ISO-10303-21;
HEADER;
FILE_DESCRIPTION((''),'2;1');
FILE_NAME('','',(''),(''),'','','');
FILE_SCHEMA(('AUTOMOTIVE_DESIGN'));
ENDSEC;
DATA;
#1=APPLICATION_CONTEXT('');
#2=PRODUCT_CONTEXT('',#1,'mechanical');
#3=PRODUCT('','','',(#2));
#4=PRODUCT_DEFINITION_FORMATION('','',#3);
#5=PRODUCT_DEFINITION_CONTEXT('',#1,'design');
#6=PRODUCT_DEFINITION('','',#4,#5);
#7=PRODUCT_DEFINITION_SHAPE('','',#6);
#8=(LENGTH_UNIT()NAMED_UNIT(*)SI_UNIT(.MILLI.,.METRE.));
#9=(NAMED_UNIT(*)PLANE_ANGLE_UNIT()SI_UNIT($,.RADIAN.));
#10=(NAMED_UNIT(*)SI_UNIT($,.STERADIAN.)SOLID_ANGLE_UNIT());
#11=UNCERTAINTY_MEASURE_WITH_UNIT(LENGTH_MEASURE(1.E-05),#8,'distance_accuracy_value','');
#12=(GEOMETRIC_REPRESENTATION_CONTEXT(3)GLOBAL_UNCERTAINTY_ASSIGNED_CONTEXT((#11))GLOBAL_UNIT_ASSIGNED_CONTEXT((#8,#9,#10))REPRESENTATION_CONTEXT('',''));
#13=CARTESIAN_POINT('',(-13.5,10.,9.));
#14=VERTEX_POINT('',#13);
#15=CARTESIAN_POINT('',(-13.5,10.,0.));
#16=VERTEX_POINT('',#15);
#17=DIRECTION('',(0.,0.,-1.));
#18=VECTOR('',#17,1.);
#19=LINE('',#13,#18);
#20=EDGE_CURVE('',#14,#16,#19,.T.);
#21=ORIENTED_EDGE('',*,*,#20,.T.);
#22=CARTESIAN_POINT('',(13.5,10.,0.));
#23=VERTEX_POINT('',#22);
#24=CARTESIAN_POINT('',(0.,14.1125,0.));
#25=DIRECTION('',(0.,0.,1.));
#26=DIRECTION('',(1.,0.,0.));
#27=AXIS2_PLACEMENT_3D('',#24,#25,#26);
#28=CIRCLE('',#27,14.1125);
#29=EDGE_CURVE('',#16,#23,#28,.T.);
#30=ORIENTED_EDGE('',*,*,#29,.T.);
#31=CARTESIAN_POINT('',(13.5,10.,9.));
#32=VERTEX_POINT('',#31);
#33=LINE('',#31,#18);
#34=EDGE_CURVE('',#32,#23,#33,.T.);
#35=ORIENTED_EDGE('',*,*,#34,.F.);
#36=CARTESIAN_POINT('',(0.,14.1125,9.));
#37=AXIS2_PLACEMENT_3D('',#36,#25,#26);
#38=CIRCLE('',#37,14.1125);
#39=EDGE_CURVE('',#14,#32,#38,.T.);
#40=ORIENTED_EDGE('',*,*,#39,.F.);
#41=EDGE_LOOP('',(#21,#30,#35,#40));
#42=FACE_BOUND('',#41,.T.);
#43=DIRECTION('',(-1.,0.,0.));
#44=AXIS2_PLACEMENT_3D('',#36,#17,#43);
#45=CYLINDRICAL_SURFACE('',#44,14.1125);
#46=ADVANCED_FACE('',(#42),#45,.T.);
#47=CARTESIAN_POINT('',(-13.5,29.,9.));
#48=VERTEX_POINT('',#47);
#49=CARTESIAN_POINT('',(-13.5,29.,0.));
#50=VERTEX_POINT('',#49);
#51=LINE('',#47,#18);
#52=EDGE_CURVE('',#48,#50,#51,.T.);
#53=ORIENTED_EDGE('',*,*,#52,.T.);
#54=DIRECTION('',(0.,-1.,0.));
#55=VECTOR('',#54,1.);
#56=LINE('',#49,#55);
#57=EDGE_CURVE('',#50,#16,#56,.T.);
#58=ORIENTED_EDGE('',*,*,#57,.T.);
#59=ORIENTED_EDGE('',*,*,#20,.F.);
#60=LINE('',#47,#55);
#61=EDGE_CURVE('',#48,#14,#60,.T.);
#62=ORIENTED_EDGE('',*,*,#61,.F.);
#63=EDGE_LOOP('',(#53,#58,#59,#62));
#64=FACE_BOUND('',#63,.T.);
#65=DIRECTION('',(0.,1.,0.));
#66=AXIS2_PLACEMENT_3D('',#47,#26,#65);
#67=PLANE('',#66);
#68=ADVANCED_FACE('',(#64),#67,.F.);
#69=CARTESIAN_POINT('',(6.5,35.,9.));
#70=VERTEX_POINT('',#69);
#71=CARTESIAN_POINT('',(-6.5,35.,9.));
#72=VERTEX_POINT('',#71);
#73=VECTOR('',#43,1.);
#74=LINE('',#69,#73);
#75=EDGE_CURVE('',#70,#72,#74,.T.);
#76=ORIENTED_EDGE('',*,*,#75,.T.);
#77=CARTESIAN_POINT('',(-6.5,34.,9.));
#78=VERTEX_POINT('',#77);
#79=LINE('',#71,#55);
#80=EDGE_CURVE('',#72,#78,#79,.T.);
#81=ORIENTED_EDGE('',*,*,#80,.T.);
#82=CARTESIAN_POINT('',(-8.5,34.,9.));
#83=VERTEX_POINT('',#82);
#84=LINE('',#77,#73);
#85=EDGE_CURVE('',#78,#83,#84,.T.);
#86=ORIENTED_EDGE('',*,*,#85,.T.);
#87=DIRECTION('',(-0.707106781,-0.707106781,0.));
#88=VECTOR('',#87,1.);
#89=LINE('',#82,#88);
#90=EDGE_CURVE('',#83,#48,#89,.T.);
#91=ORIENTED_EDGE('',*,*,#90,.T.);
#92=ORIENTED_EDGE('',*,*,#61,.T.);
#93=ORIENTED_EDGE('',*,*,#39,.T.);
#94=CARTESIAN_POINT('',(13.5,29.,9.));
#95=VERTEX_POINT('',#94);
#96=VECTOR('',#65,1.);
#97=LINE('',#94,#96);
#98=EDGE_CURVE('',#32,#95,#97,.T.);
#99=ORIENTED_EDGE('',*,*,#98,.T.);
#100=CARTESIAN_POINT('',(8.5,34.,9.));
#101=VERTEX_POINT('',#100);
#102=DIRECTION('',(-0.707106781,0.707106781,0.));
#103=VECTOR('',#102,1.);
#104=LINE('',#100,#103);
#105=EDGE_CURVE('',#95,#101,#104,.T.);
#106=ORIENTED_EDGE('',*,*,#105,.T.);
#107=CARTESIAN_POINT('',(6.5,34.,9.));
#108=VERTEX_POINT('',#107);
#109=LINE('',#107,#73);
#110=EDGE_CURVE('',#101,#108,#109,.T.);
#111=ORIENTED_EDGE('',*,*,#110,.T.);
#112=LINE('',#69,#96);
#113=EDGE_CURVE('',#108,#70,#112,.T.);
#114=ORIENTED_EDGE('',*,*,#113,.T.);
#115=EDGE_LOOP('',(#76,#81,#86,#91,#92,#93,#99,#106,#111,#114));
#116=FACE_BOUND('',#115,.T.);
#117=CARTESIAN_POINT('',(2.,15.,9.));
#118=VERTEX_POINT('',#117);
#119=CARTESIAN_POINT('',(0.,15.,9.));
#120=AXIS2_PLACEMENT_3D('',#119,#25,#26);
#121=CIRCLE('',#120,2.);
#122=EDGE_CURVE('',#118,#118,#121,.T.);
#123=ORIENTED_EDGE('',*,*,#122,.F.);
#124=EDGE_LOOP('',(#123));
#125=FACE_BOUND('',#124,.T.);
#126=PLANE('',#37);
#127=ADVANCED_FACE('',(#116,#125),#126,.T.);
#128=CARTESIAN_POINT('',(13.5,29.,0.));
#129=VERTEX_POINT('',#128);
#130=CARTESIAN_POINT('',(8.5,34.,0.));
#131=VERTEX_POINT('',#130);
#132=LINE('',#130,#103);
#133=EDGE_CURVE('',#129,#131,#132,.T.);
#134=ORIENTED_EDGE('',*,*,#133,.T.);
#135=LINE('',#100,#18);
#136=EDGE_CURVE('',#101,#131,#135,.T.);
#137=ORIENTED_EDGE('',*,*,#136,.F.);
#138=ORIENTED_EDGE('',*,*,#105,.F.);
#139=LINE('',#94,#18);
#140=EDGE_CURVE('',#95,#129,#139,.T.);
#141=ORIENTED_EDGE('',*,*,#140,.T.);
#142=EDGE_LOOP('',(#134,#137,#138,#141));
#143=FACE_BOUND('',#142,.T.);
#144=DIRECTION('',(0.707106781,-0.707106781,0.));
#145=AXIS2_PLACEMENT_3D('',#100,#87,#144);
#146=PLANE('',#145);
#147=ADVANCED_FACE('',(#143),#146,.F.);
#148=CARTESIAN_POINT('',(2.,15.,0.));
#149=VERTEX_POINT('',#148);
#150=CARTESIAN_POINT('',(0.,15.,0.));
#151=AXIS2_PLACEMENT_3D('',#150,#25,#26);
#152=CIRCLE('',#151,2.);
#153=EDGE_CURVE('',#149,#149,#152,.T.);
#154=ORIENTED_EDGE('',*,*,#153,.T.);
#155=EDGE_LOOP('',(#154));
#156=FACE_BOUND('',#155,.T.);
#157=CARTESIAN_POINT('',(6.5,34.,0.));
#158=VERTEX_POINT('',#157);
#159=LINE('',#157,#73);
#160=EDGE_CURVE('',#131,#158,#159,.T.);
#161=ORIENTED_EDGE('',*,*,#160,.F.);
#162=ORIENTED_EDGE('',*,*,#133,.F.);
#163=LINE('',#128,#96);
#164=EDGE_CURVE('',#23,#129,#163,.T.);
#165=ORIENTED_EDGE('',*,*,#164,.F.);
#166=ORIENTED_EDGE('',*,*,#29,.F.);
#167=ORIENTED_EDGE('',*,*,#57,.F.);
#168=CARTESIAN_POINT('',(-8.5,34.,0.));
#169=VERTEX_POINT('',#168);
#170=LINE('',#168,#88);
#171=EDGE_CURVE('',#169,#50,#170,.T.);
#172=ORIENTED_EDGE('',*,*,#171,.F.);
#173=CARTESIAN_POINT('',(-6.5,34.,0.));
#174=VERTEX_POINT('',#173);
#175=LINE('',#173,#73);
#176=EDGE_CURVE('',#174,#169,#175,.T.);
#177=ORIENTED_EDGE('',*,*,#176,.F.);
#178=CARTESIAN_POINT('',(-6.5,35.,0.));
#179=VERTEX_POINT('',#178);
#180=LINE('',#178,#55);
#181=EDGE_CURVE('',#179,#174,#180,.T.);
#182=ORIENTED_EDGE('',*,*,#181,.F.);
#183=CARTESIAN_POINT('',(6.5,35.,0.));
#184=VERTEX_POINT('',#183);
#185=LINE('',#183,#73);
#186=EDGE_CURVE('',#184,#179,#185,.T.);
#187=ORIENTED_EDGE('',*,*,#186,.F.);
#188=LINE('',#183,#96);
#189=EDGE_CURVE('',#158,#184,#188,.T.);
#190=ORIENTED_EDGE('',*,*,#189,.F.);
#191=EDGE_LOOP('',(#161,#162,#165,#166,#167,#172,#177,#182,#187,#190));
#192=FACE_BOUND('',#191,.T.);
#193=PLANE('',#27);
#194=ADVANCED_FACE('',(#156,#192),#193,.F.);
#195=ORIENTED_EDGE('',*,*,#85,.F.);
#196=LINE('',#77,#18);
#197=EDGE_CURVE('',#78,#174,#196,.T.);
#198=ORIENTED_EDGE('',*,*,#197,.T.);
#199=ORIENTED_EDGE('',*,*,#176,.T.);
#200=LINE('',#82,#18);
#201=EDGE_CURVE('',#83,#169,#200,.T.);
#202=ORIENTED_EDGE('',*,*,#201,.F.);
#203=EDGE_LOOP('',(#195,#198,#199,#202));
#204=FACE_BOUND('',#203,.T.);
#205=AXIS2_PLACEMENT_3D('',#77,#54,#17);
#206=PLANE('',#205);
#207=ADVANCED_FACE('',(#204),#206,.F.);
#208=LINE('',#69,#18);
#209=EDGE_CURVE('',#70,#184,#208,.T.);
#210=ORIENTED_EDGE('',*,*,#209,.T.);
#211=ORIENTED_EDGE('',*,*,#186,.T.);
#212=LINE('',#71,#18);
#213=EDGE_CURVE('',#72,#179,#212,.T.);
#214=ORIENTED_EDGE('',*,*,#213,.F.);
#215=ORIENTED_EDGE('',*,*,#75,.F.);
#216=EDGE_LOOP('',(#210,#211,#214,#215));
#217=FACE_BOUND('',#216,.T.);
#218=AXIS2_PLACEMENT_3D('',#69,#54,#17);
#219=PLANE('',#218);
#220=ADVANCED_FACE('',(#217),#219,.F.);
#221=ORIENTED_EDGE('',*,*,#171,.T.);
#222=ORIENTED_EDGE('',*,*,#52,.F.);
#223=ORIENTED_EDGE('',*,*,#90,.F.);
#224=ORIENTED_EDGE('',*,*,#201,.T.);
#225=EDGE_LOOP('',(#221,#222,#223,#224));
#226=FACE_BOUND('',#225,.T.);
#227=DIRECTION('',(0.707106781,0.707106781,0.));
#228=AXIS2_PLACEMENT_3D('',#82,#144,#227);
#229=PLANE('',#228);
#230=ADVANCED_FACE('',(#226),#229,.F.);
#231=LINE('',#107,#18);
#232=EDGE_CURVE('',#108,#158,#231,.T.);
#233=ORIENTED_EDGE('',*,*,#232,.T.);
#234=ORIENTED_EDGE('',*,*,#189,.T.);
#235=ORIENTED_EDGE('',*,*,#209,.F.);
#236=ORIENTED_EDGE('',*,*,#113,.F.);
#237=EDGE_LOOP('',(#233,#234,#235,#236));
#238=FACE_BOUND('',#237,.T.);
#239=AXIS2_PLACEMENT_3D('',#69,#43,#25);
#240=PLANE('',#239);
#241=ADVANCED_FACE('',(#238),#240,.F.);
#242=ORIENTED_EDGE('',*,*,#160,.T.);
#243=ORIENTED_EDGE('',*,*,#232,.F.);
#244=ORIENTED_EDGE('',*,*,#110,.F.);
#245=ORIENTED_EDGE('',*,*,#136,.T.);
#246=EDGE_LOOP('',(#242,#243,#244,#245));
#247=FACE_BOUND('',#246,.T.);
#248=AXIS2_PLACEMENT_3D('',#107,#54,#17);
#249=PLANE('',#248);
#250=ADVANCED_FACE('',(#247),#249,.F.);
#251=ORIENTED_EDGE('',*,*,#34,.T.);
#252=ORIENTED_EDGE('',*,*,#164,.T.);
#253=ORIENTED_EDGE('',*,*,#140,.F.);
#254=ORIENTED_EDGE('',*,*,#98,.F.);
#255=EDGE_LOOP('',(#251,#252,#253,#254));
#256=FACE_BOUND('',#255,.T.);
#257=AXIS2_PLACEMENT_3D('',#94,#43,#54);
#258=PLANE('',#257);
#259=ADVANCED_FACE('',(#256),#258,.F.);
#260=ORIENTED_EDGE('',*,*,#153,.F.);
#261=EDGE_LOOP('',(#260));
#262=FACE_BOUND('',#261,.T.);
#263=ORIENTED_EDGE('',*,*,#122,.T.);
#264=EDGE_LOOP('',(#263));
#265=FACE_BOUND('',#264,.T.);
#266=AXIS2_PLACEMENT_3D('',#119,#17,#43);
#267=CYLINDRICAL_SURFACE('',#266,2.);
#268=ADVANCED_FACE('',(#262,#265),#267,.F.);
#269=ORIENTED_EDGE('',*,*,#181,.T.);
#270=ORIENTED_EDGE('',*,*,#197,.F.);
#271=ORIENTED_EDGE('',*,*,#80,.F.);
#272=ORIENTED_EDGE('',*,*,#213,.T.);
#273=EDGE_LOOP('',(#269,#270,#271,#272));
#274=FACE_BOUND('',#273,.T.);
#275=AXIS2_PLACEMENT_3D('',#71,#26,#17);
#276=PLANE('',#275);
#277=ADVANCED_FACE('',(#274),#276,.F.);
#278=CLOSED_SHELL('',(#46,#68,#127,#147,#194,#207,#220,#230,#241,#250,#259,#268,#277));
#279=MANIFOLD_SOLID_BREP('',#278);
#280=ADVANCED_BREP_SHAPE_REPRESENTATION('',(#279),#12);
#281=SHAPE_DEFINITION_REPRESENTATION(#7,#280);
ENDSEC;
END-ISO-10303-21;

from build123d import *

# Parameters (mm, degrees)
ESQUISSE1_R        = 2
BOSS_EXTRU_2_DEPTH = 9


with BuildPart() as part:
    # Esquisse1 → Boss.-Extru.2 (new body)
    with BuildSketch(Plane.XY):
        with BuildLine():
            Line((6.5, 35), (-6.5, 35))
            Line((-6.5, 35), (-6.5, 34))
            Line((-6.5, 34), (-8.5, 34))
            Line((-8.5, 34), (-13.5, 29))
            Line((-13.5, 29), (-13.5, 10))
            ThreePointArc((-13.5, 10), (0, 0), (13.5, 10))
            Line((13.5, 10), (13.5, 29))
            Line((13.5, 29), (8.5, 34))
            Line((8.5, 34), (6.5, 34))
            Line((6.5, 34), (6.5, 35))
        make_face()
        with Locations((0, 15)):
            Circle(ESQUISSE1_R, mode=Mode.SUBTRACT)
    extrude(amount=BOSS_EXTRU_2_DEPTH)


solid = part.part
